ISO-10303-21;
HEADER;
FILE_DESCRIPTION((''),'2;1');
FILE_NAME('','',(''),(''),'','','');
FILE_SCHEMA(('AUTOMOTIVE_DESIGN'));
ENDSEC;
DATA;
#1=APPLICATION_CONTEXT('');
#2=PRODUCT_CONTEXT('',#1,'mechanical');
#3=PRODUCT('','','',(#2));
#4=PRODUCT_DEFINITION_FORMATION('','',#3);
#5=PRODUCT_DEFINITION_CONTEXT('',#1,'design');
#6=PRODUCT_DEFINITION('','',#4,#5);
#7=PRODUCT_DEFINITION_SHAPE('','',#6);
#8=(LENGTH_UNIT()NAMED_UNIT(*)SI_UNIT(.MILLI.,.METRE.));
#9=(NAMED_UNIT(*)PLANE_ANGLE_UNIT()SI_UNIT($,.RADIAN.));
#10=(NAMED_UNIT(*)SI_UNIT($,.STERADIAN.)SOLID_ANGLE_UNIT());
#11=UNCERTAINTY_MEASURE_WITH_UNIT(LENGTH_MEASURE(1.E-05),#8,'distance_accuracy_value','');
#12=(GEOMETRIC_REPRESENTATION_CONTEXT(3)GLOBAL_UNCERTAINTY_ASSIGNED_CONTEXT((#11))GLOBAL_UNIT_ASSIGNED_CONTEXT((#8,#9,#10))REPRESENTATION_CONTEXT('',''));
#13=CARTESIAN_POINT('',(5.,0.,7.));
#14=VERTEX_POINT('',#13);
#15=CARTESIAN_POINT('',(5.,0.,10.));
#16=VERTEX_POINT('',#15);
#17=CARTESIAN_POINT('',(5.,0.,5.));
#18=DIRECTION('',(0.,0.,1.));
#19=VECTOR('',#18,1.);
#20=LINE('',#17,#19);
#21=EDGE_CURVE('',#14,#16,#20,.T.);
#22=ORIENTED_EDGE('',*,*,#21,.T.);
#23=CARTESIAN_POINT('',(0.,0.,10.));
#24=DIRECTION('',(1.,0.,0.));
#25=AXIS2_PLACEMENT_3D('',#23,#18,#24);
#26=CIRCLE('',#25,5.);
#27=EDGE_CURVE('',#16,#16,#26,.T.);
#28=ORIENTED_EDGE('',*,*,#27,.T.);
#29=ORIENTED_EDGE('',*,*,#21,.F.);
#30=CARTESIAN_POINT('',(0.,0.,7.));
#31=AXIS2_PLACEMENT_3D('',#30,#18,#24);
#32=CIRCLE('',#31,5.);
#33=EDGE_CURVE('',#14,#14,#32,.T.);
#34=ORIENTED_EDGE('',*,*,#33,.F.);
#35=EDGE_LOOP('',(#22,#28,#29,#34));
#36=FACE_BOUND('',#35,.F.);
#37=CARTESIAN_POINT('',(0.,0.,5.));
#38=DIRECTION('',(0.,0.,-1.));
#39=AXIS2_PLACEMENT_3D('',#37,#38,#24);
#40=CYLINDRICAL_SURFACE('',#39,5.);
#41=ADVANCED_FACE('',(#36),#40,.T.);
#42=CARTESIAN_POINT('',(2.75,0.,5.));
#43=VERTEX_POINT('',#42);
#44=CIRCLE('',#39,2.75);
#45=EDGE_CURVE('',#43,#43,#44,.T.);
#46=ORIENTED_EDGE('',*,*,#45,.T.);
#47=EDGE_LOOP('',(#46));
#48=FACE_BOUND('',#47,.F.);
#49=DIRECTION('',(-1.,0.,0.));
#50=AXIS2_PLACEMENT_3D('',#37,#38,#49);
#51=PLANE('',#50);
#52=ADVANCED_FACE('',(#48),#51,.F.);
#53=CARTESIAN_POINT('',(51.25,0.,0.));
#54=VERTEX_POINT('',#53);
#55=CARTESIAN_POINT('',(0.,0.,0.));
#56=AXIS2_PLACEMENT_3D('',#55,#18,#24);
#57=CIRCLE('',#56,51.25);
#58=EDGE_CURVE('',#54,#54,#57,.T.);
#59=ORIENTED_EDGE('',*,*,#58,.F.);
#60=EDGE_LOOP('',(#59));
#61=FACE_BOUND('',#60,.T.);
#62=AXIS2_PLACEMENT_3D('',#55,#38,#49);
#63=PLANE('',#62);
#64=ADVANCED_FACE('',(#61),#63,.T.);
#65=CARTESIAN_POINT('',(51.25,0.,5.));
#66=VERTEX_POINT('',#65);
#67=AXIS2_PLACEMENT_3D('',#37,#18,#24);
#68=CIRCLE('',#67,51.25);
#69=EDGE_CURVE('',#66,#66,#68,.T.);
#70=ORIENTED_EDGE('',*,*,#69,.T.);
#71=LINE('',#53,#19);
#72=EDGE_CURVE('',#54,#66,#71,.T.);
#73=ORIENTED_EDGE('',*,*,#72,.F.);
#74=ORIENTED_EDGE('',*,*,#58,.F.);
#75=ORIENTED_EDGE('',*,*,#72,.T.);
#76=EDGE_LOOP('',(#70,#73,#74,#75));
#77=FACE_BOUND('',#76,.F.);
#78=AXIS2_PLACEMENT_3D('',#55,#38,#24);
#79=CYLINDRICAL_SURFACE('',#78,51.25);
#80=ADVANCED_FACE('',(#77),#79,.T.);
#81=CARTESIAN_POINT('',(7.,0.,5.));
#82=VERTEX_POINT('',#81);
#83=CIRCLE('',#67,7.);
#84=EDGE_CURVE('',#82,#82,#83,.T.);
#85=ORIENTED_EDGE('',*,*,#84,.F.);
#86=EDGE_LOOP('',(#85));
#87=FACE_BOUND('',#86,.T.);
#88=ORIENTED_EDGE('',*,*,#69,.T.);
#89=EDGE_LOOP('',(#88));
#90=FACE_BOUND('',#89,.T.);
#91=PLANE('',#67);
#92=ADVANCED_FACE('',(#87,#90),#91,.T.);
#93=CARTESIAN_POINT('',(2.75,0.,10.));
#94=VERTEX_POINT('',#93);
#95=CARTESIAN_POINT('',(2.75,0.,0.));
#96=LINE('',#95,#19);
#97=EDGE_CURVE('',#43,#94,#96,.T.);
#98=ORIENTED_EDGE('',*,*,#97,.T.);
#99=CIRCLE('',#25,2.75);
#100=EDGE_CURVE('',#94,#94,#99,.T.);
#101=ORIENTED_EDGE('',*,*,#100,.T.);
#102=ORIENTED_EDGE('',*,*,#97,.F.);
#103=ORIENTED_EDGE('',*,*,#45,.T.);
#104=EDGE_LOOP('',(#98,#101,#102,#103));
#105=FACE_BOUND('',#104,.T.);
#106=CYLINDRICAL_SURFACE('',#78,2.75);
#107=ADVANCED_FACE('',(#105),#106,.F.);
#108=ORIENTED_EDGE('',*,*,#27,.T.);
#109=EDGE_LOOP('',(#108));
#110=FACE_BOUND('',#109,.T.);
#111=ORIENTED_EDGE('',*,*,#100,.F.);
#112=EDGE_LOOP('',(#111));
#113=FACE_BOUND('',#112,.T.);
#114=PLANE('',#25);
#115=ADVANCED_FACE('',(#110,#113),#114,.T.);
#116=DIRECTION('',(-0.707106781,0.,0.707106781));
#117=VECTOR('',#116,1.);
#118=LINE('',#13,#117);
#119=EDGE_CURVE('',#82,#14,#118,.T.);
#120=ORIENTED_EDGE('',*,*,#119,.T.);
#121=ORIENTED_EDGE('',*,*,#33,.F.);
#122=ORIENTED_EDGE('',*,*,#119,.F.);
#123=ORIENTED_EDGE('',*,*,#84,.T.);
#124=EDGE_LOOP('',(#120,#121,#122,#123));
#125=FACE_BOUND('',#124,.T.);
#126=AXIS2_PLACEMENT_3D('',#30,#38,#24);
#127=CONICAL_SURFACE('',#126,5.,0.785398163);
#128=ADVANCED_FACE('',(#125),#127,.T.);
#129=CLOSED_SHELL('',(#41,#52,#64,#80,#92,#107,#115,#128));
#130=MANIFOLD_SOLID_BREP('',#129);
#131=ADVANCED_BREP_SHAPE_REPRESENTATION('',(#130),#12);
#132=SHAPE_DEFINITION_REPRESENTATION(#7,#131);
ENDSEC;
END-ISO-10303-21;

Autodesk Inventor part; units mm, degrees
ref_plane "YZ Plane" through (0, 0, 0) normal (1, 0, 0) x (0, 1, 0)
ref_plane "XZ Plane" through (0, 0, 0) normal (0, 1, 0) x (-1, 0, 0)
ref_plane "XY Plane" through (0, 0, 0) normal (0, 0, 1) x (1, 0, 0)
sketch "Sketch4" plane through (0, 0, 0) normal (0, 0, 1) x (1, 0, 0)
  circle A0 centre (0, 0) radius 51.25
  circle A1 centre (0, 0) radius 2.75
  dimension "d10" = 102.5
  dimension "d11" = 5.5
extrude "Extrusion4" add sketch "Sketch4" along normal blind 5
sketch "Sketch5" plane through (0, 0, 5) normal (0, 0, 1) x (1, 0, 0)
  circle A0 centre (0, 0) radius 2.75 projected
  circle A1 centre (0, 0) radius 2.75
  circle A2 centre (0, 0) radius 5
  dimension "d14" = 10
extrude "Extrusion5" add sketch "Sketch5" along normal blind 5
chamfer "Chamfer1" distance 2 angle 45 1 edges at (-5, 0, 5)
sketch "Sketch6" plane through (0, 0, 0) normal (0, 0, -1) x (-1, 0, 0)
  circle A0 centre (0, 0) radius 2.75 projected
  circle A1 centre (0, 0) radius 2.75
extrude "Extrusion6" add sketch "Sketch6" against normal blind 5
sketch "Sketch7" plane through (0, 0, 0) normal (0, 0, -1) x (-1, 0, 0)
  point P0 (0, 0)
properties part number "bottom"
